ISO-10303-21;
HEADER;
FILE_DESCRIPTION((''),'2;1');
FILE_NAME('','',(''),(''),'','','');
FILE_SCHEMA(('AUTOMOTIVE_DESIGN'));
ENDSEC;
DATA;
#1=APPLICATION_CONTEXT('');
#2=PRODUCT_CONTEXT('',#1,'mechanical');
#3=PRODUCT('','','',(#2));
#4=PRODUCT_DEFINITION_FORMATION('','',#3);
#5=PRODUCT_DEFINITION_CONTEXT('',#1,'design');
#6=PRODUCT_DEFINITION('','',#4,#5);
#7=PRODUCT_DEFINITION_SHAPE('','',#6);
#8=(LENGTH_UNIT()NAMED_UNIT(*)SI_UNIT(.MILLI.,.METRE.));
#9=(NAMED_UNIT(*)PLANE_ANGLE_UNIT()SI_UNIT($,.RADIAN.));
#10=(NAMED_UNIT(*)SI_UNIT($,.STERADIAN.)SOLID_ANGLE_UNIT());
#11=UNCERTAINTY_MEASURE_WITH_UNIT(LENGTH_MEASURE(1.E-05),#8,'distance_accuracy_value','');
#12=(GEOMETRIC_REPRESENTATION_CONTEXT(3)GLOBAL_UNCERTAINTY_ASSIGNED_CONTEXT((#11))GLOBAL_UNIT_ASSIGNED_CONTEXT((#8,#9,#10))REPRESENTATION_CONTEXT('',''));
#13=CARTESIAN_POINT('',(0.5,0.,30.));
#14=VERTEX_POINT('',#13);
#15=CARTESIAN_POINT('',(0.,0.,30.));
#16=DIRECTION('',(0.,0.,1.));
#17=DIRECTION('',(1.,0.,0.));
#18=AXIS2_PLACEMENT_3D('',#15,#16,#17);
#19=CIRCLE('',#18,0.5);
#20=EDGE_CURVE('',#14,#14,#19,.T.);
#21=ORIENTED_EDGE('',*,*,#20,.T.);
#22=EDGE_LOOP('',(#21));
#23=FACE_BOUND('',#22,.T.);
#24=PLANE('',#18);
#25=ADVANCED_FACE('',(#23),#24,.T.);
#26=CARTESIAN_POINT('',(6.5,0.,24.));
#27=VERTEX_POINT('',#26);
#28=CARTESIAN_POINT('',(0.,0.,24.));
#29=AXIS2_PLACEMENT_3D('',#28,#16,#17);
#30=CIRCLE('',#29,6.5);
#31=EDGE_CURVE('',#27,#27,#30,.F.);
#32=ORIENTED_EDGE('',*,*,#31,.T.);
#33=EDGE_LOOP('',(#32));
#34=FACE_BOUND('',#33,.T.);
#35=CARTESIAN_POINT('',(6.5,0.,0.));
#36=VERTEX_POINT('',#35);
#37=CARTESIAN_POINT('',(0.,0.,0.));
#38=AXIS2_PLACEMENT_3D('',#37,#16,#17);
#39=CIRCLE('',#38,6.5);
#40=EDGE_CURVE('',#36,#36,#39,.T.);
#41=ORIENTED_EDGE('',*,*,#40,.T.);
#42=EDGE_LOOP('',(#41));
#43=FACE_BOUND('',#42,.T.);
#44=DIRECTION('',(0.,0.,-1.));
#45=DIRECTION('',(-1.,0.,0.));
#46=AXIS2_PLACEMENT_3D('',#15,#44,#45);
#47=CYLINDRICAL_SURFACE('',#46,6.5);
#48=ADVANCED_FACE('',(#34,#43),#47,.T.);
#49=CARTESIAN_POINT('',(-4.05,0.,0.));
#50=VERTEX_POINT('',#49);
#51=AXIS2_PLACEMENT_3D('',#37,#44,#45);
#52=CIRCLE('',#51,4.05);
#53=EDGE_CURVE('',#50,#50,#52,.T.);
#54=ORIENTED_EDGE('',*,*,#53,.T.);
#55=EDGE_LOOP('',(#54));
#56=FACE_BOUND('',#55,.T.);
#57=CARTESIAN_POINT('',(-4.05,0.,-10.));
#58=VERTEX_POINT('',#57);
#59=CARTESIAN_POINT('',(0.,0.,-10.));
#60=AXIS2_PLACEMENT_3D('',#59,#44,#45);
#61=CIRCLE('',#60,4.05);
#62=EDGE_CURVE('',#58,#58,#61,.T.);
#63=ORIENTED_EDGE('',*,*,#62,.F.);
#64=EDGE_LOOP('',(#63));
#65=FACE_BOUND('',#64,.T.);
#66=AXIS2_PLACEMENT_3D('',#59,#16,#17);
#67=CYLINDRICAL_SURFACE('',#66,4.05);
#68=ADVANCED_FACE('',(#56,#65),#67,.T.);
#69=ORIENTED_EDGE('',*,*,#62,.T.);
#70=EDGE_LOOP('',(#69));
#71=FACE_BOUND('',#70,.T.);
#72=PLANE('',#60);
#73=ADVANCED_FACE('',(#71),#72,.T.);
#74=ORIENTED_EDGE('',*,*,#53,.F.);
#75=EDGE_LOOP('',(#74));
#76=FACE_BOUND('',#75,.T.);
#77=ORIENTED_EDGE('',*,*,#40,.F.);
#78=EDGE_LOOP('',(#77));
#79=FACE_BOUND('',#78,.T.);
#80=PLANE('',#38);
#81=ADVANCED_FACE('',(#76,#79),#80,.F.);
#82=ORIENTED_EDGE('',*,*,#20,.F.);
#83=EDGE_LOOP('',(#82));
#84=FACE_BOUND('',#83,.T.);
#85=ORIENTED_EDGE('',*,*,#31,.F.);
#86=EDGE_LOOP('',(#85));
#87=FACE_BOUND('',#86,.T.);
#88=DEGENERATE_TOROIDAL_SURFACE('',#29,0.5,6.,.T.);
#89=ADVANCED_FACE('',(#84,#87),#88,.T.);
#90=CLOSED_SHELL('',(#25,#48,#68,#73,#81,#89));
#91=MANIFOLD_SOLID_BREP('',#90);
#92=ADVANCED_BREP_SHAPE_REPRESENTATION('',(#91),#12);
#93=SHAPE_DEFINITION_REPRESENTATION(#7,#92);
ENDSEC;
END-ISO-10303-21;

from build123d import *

# Parameters (mm, degrees)
ESQUISSE1_R        = 6.5
BOSS_EXTRU_1_DEPTH = 30
ESQUISSE2_R        = 4.05
BOSS_EXTRU_2_DEPTH = 10
CONG_4_R           = 6


with BuildPart() as part:
    # Esquisse1 → Boss.-Extru.1 (new body)
    with BuildSketch(Plane.XY):
        Circle(ESQUISSE1_R)
    extrude(amount=BOSS_EXTRU_1_DEPTH)

    # Esquisse2 → Boss.-Extru.2 (add)
    with BuildSketch(Plane(origin=(0, 0, 0), x_dir=(-1, 0, 0), z_dir=(0, 0, -1))):
        Circle(ESQUISSE2_R)
    extrude(amount=BOSS_EXTRU_2_DEPTH)

    # Congé4
    cong_4_edges = [part.edges().sort_by_distance(p)[0] for p in [
        (-6.5, 0, 30),
    ]]
    fillet(cong_4_edges, radius=CONG_4_R)


solid = part.part
